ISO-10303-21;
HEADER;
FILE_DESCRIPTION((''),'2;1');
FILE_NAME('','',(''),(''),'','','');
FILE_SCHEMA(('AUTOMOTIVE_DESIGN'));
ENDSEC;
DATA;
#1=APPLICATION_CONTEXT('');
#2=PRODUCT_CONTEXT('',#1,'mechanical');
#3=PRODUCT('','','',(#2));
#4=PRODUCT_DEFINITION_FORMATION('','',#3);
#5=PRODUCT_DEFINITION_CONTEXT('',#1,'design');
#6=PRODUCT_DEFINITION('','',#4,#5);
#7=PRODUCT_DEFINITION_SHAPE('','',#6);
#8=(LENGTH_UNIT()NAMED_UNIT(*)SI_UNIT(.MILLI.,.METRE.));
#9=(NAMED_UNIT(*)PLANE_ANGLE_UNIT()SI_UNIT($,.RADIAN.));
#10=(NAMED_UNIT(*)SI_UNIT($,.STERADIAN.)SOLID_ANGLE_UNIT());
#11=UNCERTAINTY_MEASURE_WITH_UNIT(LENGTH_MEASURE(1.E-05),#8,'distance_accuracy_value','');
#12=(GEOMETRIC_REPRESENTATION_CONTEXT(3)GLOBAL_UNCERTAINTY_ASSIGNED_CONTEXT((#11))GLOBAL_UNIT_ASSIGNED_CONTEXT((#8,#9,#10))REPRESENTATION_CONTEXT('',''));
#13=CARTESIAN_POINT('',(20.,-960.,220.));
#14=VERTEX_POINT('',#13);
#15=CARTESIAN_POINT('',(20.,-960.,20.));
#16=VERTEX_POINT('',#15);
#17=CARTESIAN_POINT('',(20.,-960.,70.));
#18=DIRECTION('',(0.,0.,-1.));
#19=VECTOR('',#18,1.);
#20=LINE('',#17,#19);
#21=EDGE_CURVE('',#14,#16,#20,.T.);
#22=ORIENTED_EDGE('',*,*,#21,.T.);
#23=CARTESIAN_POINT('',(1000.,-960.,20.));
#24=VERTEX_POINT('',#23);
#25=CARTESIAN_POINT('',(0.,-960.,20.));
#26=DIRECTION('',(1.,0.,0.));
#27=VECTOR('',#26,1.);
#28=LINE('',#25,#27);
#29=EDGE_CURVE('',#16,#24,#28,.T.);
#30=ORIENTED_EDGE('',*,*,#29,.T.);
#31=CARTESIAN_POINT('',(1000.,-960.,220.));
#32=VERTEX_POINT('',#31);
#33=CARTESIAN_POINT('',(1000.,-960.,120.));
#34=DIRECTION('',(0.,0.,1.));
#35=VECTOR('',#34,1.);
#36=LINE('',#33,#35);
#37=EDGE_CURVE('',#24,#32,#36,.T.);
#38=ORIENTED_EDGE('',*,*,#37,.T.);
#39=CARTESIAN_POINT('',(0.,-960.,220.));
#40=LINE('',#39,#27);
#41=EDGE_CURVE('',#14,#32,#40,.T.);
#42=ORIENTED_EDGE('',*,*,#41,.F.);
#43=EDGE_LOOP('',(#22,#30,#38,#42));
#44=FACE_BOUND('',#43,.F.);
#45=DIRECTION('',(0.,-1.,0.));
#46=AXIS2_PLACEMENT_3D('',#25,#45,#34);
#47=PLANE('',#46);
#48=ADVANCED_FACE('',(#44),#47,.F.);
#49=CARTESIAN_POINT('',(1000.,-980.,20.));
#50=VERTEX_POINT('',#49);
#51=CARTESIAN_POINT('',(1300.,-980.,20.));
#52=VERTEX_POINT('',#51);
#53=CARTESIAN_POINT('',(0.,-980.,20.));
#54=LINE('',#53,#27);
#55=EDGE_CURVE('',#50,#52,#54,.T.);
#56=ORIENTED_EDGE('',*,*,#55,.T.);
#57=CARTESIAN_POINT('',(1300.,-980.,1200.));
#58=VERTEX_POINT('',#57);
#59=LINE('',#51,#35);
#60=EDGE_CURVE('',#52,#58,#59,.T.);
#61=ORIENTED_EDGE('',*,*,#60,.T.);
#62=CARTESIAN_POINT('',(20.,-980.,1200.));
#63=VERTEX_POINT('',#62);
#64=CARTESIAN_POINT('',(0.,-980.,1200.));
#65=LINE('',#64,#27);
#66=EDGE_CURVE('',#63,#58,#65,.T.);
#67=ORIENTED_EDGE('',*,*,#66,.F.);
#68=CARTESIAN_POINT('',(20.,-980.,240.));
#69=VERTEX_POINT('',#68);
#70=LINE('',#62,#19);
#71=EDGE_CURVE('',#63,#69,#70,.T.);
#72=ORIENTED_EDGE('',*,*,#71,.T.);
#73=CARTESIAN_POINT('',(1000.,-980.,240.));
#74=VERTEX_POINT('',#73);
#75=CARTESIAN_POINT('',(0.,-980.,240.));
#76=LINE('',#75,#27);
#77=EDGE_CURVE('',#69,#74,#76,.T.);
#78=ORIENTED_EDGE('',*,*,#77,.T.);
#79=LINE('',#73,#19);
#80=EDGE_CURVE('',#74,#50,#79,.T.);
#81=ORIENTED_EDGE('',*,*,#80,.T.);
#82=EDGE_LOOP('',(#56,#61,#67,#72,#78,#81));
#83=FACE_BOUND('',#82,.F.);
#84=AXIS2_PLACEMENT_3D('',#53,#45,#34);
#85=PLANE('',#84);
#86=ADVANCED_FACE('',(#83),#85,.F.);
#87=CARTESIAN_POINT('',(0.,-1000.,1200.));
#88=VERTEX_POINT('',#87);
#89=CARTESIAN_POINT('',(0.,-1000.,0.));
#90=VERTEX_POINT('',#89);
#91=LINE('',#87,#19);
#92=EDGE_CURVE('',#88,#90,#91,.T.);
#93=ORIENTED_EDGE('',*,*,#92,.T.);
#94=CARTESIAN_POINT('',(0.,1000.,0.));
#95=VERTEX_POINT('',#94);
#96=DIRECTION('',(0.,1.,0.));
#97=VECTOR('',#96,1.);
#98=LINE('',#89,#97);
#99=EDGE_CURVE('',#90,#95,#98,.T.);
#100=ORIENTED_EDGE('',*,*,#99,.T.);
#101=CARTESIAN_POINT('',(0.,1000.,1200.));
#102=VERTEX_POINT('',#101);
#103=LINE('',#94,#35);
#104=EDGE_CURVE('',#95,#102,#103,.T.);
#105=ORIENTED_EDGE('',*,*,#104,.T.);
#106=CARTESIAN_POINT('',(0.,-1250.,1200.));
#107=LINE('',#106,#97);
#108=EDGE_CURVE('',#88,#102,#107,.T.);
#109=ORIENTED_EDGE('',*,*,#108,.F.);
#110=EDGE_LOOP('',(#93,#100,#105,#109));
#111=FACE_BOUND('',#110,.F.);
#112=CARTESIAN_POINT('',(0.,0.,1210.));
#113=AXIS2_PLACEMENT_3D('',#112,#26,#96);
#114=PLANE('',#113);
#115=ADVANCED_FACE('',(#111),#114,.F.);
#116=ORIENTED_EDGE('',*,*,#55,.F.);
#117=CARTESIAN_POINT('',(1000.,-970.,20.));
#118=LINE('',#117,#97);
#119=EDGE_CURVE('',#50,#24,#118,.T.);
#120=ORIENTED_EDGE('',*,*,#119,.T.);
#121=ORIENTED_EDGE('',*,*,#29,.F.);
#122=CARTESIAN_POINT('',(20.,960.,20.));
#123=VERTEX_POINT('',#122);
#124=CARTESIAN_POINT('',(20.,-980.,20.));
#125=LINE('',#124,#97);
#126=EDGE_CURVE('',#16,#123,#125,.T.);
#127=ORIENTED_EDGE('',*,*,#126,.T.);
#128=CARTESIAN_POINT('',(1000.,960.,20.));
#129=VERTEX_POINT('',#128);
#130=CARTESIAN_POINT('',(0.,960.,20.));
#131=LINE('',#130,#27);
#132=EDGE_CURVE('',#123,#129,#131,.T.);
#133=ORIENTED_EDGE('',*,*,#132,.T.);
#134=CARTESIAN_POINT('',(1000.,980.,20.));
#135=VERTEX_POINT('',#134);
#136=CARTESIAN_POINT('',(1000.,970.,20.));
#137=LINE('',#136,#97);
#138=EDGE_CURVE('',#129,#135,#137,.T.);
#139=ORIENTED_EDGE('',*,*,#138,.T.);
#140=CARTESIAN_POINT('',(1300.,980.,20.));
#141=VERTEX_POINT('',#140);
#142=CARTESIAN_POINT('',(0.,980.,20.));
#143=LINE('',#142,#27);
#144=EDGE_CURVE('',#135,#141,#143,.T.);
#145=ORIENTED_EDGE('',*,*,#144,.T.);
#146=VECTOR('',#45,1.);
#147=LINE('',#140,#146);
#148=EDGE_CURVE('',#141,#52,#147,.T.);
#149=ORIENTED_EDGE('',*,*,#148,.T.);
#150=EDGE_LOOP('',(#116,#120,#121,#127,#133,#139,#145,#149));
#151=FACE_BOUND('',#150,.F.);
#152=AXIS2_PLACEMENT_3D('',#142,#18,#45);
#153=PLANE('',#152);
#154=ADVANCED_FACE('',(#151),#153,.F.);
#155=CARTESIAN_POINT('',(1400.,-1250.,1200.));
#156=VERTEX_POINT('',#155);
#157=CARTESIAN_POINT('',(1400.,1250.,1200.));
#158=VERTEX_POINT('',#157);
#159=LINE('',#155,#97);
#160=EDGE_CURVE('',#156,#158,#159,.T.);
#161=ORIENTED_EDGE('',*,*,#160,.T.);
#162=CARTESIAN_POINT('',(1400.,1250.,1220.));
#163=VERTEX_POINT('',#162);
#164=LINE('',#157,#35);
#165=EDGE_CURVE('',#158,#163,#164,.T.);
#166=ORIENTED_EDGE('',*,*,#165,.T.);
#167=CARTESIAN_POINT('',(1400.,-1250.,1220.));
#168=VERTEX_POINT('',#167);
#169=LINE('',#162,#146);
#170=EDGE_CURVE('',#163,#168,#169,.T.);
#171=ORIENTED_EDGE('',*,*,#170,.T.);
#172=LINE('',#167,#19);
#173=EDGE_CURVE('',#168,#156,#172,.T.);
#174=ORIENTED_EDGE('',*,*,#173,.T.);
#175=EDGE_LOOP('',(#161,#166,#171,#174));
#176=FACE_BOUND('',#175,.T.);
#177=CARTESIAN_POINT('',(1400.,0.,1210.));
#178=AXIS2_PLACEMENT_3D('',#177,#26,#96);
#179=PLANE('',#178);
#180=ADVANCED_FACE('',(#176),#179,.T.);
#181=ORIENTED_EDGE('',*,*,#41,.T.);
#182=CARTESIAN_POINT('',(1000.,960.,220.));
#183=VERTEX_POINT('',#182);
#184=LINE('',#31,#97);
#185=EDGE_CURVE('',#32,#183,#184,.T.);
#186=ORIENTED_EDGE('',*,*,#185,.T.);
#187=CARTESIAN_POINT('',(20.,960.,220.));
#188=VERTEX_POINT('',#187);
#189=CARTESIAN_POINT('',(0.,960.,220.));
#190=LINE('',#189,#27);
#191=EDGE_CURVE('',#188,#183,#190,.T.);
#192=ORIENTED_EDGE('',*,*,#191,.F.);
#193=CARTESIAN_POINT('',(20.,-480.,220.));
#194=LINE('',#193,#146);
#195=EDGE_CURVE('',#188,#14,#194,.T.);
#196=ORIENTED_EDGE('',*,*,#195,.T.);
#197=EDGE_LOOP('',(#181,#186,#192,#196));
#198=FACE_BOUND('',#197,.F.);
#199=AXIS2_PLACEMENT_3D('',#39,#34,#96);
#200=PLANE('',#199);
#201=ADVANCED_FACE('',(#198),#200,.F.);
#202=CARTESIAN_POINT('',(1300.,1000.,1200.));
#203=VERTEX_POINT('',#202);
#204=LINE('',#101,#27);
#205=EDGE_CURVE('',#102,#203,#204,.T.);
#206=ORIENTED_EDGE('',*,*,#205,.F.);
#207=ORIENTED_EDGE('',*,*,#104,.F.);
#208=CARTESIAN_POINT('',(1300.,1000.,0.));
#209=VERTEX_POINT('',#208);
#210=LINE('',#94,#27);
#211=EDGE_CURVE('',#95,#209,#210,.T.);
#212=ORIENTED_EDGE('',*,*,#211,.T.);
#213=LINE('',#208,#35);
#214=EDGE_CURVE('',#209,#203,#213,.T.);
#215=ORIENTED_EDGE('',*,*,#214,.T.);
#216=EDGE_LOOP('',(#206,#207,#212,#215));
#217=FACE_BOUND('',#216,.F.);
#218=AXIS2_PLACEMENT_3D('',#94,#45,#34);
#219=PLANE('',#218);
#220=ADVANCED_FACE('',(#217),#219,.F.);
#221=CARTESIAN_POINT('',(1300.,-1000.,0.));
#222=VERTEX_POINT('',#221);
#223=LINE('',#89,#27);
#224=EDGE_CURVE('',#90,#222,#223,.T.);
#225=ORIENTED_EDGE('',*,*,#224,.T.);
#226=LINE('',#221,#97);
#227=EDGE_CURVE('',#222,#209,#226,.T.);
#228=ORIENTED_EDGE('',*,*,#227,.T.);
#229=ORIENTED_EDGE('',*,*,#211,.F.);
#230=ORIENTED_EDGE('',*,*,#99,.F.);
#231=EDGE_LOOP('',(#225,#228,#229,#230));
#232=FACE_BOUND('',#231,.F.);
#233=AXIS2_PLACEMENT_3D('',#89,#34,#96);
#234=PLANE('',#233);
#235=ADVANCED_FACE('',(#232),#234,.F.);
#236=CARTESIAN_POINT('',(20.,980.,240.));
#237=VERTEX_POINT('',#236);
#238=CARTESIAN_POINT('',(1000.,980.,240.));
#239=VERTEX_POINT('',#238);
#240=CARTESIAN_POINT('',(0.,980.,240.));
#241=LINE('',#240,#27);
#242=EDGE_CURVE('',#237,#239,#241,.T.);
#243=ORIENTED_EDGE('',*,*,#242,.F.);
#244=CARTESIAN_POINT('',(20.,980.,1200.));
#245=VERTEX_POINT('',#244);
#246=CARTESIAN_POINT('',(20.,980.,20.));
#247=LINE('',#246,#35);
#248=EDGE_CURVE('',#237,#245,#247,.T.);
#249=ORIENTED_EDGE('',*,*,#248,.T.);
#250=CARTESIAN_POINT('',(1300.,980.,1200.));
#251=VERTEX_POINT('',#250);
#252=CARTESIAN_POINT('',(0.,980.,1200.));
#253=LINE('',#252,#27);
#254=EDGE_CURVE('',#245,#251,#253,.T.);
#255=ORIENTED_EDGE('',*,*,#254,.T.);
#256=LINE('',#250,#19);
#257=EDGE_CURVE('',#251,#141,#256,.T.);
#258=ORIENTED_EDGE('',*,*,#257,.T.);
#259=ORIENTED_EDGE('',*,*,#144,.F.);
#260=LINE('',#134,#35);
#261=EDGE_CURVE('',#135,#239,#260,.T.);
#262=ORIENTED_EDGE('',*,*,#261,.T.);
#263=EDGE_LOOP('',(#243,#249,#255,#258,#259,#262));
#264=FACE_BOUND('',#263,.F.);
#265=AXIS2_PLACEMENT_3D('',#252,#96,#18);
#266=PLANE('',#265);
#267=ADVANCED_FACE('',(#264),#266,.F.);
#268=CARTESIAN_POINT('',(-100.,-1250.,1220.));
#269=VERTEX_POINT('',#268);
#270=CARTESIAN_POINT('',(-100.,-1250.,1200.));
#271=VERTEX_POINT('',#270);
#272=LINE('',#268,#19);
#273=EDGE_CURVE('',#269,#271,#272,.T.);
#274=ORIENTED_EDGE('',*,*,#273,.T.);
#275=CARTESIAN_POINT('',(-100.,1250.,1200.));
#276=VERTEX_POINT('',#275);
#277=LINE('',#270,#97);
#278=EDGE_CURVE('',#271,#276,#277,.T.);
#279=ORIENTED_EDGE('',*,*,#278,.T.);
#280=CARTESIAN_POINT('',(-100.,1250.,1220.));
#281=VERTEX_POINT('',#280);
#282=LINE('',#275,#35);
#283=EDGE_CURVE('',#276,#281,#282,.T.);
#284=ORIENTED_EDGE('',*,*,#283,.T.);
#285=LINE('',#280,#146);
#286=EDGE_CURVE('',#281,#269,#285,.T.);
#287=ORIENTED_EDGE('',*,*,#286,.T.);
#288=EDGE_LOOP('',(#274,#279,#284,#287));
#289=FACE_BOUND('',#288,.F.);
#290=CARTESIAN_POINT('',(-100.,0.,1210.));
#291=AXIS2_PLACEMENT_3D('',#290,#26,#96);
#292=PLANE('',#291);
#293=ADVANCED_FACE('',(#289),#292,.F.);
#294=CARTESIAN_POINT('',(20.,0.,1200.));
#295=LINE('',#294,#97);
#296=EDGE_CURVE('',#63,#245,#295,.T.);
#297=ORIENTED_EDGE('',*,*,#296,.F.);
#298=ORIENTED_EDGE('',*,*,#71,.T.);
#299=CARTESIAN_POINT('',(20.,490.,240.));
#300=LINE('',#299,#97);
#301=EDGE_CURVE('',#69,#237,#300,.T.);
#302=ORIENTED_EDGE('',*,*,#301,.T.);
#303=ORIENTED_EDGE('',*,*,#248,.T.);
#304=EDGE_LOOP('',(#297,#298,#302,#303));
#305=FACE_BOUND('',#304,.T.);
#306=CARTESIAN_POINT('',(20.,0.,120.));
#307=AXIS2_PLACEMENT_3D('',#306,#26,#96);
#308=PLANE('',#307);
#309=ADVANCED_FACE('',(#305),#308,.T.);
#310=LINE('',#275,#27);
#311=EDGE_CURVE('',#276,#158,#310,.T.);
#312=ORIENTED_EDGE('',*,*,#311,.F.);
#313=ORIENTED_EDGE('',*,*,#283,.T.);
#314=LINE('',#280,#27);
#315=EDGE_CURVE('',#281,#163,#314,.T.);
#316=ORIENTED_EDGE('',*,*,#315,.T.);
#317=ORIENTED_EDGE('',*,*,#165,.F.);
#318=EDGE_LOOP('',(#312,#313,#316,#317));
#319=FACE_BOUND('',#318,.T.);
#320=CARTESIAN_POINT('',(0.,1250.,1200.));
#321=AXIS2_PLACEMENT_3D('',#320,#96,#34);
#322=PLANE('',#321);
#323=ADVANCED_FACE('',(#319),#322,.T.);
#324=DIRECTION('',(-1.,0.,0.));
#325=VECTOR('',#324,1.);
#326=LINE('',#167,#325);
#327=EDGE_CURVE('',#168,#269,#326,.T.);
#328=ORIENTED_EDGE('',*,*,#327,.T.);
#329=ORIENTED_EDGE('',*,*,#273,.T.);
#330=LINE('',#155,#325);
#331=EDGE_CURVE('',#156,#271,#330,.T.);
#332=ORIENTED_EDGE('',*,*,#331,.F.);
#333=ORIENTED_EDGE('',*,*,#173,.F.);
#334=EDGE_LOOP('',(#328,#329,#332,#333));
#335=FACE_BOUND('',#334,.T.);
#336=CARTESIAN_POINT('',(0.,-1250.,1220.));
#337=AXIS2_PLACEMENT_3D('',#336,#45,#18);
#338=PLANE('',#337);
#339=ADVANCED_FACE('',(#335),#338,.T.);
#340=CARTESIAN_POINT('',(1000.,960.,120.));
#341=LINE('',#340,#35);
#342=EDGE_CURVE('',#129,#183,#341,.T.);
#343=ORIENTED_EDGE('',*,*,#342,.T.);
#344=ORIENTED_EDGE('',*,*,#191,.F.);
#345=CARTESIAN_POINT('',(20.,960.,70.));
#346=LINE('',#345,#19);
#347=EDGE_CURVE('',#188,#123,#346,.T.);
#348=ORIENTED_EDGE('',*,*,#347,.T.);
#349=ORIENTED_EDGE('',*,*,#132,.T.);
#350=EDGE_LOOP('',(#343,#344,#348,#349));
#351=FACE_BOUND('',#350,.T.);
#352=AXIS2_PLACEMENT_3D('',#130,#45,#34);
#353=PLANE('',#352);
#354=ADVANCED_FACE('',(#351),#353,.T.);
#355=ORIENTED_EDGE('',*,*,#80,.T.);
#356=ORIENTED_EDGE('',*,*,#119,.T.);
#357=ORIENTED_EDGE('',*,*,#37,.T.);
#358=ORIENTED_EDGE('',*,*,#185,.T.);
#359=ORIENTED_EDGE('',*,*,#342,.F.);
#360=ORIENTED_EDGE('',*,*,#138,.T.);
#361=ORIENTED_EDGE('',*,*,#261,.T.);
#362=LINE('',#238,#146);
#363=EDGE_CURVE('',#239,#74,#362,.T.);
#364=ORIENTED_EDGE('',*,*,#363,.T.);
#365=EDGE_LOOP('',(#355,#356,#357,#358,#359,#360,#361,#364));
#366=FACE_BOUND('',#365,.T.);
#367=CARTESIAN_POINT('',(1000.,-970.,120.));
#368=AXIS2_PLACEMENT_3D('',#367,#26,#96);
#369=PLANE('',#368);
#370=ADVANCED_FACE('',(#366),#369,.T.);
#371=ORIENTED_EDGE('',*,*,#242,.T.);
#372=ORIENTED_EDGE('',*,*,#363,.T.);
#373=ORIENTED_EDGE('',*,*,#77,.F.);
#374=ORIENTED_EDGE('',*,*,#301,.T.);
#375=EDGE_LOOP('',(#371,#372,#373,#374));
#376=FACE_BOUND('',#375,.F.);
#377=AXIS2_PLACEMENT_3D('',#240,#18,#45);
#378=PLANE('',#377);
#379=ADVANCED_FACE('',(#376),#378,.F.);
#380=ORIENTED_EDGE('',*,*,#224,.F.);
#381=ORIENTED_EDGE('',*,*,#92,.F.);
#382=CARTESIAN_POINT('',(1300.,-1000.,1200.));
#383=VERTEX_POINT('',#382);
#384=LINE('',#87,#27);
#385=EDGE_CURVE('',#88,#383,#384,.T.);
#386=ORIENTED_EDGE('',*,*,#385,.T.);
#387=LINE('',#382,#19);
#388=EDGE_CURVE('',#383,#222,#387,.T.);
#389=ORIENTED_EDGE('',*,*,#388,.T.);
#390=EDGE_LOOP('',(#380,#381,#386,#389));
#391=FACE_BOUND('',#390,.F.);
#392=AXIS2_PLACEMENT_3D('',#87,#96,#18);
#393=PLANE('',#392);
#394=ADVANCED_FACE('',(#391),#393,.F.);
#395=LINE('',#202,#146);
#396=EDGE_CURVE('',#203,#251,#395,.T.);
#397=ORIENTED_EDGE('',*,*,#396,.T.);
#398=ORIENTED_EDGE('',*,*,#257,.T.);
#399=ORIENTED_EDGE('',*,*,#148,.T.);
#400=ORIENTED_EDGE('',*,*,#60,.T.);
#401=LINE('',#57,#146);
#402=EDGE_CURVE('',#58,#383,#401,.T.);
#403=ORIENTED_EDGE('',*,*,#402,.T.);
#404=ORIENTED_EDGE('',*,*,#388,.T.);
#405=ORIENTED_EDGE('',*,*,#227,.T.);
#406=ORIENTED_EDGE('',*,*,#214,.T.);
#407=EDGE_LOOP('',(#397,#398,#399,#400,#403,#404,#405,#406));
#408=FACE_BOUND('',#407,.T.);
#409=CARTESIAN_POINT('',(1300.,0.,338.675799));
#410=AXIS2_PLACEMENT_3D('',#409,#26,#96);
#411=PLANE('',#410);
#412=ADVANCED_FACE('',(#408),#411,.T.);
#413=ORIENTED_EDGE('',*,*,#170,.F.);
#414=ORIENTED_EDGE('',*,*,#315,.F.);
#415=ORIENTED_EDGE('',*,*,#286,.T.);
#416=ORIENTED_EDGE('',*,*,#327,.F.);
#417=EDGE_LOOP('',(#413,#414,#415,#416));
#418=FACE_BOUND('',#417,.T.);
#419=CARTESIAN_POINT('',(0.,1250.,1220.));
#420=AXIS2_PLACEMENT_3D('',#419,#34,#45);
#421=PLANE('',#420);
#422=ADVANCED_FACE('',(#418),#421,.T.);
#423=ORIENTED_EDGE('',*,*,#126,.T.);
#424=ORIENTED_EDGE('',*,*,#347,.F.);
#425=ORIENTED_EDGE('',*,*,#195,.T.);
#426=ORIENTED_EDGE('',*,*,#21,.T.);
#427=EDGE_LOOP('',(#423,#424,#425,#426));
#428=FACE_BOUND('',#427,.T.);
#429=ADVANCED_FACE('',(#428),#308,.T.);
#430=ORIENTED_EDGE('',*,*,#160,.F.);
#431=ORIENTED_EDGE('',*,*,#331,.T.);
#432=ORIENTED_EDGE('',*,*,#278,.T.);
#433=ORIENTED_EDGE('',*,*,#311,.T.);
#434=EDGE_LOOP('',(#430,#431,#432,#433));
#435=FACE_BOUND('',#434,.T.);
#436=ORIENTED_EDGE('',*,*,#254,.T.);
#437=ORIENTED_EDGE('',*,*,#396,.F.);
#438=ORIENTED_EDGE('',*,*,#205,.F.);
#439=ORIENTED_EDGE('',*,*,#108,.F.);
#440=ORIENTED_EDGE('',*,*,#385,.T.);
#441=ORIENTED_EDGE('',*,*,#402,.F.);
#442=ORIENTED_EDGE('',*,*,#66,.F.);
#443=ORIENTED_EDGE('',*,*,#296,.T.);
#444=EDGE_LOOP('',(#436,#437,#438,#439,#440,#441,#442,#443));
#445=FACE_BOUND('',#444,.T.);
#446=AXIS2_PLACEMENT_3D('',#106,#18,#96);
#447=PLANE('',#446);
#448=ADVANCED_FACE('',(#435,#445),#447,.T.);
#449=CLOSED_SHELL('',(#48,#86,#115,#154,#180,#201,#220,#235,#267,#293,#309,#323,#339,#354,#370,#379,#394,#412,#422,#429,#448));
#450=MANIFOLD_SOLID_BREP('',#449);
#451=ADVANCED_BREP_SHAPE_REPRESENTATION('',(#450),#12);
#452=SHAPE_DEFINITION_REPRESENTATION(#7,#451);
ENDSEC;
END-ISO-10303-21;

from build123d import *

# Parameters (mm, degrees)
F2_DEPTH      = 1300
F0_W          = 1920
F0_H          = 200
F0_W_2        = 1960
F0_H_2        = 960
F0_W_3        = 20
F3_DEPTH      = 20
F4_DEPTH      = 1000
F5_DEPTH      = 1400
F5_DEPTH_BACK = 100


with BuildPart() as f2:
    # F0 (on Right) → F2 (new body, through all)
    with BuildSketch(Plane.YZ):
        Polygon((-1000, 1200), (-1000, 0), (1000, 0), (1000, 1200), (980, 1200), (980, 240), (980, 220), (980, 20), (960, 20), (-960, 20), (-980, 20), (-980, 220), (-980, 240), (-980, 1200), align=None)
    extrude(amount=F2_DEPTH)

    # F0 (on Right) → F3 (join, through all)
    with BuildSketch(Plane.YZ):
        with Locations((0, 120)):
            Rectangle(F0_W, F0_H)
        with Locations((0, 720)):
            Rectangle(F0_W_2, F0_H_2)
        Polygon((980, 240), (-980, 240), (-980, 220), (-960, 220), (960, 220), (980, 220), align=None)
        with Locations((970, 120)):
            Rectangle(F0_W_3, F0_H)
        with Locations((-970, 120)):
            Rectangle(F0_W_3, F0_H)
    extrude(amount=F3_DEPTH)

    # F0 (on Right) → F4 (join, through all)
    with BuildSketch(Plane.YZ):
        with Locations((-970, 120)):
            Rectangle(F0_W_3, F0_H)
        Polygon((980, 240), (-980, 240), (-980, 220), (-960, 220), (960, 220), (980, 220), align=None)
        with Locations((970, 120)):
            Rectangle(F0_W_3, F0_H)
    extrude(amount=F4_DEPTH)

    # F0 (on Right) → F5 (join, two sides)
    with BuildSketch(Plane.YZ) as f5_sk:
        Polygon((-1250, 1200), (-1000, 1200), (-980, 1200), (980, 1200), (1000, 1200), (1250, 1200), (1250, 1220), (-1250, 1220), align=None)
    extrude(amount=F5_DEPTH)
    extrude(f5_sk.sketch, amount=-F5_DEPTH_BACK)


solid = f2.part
